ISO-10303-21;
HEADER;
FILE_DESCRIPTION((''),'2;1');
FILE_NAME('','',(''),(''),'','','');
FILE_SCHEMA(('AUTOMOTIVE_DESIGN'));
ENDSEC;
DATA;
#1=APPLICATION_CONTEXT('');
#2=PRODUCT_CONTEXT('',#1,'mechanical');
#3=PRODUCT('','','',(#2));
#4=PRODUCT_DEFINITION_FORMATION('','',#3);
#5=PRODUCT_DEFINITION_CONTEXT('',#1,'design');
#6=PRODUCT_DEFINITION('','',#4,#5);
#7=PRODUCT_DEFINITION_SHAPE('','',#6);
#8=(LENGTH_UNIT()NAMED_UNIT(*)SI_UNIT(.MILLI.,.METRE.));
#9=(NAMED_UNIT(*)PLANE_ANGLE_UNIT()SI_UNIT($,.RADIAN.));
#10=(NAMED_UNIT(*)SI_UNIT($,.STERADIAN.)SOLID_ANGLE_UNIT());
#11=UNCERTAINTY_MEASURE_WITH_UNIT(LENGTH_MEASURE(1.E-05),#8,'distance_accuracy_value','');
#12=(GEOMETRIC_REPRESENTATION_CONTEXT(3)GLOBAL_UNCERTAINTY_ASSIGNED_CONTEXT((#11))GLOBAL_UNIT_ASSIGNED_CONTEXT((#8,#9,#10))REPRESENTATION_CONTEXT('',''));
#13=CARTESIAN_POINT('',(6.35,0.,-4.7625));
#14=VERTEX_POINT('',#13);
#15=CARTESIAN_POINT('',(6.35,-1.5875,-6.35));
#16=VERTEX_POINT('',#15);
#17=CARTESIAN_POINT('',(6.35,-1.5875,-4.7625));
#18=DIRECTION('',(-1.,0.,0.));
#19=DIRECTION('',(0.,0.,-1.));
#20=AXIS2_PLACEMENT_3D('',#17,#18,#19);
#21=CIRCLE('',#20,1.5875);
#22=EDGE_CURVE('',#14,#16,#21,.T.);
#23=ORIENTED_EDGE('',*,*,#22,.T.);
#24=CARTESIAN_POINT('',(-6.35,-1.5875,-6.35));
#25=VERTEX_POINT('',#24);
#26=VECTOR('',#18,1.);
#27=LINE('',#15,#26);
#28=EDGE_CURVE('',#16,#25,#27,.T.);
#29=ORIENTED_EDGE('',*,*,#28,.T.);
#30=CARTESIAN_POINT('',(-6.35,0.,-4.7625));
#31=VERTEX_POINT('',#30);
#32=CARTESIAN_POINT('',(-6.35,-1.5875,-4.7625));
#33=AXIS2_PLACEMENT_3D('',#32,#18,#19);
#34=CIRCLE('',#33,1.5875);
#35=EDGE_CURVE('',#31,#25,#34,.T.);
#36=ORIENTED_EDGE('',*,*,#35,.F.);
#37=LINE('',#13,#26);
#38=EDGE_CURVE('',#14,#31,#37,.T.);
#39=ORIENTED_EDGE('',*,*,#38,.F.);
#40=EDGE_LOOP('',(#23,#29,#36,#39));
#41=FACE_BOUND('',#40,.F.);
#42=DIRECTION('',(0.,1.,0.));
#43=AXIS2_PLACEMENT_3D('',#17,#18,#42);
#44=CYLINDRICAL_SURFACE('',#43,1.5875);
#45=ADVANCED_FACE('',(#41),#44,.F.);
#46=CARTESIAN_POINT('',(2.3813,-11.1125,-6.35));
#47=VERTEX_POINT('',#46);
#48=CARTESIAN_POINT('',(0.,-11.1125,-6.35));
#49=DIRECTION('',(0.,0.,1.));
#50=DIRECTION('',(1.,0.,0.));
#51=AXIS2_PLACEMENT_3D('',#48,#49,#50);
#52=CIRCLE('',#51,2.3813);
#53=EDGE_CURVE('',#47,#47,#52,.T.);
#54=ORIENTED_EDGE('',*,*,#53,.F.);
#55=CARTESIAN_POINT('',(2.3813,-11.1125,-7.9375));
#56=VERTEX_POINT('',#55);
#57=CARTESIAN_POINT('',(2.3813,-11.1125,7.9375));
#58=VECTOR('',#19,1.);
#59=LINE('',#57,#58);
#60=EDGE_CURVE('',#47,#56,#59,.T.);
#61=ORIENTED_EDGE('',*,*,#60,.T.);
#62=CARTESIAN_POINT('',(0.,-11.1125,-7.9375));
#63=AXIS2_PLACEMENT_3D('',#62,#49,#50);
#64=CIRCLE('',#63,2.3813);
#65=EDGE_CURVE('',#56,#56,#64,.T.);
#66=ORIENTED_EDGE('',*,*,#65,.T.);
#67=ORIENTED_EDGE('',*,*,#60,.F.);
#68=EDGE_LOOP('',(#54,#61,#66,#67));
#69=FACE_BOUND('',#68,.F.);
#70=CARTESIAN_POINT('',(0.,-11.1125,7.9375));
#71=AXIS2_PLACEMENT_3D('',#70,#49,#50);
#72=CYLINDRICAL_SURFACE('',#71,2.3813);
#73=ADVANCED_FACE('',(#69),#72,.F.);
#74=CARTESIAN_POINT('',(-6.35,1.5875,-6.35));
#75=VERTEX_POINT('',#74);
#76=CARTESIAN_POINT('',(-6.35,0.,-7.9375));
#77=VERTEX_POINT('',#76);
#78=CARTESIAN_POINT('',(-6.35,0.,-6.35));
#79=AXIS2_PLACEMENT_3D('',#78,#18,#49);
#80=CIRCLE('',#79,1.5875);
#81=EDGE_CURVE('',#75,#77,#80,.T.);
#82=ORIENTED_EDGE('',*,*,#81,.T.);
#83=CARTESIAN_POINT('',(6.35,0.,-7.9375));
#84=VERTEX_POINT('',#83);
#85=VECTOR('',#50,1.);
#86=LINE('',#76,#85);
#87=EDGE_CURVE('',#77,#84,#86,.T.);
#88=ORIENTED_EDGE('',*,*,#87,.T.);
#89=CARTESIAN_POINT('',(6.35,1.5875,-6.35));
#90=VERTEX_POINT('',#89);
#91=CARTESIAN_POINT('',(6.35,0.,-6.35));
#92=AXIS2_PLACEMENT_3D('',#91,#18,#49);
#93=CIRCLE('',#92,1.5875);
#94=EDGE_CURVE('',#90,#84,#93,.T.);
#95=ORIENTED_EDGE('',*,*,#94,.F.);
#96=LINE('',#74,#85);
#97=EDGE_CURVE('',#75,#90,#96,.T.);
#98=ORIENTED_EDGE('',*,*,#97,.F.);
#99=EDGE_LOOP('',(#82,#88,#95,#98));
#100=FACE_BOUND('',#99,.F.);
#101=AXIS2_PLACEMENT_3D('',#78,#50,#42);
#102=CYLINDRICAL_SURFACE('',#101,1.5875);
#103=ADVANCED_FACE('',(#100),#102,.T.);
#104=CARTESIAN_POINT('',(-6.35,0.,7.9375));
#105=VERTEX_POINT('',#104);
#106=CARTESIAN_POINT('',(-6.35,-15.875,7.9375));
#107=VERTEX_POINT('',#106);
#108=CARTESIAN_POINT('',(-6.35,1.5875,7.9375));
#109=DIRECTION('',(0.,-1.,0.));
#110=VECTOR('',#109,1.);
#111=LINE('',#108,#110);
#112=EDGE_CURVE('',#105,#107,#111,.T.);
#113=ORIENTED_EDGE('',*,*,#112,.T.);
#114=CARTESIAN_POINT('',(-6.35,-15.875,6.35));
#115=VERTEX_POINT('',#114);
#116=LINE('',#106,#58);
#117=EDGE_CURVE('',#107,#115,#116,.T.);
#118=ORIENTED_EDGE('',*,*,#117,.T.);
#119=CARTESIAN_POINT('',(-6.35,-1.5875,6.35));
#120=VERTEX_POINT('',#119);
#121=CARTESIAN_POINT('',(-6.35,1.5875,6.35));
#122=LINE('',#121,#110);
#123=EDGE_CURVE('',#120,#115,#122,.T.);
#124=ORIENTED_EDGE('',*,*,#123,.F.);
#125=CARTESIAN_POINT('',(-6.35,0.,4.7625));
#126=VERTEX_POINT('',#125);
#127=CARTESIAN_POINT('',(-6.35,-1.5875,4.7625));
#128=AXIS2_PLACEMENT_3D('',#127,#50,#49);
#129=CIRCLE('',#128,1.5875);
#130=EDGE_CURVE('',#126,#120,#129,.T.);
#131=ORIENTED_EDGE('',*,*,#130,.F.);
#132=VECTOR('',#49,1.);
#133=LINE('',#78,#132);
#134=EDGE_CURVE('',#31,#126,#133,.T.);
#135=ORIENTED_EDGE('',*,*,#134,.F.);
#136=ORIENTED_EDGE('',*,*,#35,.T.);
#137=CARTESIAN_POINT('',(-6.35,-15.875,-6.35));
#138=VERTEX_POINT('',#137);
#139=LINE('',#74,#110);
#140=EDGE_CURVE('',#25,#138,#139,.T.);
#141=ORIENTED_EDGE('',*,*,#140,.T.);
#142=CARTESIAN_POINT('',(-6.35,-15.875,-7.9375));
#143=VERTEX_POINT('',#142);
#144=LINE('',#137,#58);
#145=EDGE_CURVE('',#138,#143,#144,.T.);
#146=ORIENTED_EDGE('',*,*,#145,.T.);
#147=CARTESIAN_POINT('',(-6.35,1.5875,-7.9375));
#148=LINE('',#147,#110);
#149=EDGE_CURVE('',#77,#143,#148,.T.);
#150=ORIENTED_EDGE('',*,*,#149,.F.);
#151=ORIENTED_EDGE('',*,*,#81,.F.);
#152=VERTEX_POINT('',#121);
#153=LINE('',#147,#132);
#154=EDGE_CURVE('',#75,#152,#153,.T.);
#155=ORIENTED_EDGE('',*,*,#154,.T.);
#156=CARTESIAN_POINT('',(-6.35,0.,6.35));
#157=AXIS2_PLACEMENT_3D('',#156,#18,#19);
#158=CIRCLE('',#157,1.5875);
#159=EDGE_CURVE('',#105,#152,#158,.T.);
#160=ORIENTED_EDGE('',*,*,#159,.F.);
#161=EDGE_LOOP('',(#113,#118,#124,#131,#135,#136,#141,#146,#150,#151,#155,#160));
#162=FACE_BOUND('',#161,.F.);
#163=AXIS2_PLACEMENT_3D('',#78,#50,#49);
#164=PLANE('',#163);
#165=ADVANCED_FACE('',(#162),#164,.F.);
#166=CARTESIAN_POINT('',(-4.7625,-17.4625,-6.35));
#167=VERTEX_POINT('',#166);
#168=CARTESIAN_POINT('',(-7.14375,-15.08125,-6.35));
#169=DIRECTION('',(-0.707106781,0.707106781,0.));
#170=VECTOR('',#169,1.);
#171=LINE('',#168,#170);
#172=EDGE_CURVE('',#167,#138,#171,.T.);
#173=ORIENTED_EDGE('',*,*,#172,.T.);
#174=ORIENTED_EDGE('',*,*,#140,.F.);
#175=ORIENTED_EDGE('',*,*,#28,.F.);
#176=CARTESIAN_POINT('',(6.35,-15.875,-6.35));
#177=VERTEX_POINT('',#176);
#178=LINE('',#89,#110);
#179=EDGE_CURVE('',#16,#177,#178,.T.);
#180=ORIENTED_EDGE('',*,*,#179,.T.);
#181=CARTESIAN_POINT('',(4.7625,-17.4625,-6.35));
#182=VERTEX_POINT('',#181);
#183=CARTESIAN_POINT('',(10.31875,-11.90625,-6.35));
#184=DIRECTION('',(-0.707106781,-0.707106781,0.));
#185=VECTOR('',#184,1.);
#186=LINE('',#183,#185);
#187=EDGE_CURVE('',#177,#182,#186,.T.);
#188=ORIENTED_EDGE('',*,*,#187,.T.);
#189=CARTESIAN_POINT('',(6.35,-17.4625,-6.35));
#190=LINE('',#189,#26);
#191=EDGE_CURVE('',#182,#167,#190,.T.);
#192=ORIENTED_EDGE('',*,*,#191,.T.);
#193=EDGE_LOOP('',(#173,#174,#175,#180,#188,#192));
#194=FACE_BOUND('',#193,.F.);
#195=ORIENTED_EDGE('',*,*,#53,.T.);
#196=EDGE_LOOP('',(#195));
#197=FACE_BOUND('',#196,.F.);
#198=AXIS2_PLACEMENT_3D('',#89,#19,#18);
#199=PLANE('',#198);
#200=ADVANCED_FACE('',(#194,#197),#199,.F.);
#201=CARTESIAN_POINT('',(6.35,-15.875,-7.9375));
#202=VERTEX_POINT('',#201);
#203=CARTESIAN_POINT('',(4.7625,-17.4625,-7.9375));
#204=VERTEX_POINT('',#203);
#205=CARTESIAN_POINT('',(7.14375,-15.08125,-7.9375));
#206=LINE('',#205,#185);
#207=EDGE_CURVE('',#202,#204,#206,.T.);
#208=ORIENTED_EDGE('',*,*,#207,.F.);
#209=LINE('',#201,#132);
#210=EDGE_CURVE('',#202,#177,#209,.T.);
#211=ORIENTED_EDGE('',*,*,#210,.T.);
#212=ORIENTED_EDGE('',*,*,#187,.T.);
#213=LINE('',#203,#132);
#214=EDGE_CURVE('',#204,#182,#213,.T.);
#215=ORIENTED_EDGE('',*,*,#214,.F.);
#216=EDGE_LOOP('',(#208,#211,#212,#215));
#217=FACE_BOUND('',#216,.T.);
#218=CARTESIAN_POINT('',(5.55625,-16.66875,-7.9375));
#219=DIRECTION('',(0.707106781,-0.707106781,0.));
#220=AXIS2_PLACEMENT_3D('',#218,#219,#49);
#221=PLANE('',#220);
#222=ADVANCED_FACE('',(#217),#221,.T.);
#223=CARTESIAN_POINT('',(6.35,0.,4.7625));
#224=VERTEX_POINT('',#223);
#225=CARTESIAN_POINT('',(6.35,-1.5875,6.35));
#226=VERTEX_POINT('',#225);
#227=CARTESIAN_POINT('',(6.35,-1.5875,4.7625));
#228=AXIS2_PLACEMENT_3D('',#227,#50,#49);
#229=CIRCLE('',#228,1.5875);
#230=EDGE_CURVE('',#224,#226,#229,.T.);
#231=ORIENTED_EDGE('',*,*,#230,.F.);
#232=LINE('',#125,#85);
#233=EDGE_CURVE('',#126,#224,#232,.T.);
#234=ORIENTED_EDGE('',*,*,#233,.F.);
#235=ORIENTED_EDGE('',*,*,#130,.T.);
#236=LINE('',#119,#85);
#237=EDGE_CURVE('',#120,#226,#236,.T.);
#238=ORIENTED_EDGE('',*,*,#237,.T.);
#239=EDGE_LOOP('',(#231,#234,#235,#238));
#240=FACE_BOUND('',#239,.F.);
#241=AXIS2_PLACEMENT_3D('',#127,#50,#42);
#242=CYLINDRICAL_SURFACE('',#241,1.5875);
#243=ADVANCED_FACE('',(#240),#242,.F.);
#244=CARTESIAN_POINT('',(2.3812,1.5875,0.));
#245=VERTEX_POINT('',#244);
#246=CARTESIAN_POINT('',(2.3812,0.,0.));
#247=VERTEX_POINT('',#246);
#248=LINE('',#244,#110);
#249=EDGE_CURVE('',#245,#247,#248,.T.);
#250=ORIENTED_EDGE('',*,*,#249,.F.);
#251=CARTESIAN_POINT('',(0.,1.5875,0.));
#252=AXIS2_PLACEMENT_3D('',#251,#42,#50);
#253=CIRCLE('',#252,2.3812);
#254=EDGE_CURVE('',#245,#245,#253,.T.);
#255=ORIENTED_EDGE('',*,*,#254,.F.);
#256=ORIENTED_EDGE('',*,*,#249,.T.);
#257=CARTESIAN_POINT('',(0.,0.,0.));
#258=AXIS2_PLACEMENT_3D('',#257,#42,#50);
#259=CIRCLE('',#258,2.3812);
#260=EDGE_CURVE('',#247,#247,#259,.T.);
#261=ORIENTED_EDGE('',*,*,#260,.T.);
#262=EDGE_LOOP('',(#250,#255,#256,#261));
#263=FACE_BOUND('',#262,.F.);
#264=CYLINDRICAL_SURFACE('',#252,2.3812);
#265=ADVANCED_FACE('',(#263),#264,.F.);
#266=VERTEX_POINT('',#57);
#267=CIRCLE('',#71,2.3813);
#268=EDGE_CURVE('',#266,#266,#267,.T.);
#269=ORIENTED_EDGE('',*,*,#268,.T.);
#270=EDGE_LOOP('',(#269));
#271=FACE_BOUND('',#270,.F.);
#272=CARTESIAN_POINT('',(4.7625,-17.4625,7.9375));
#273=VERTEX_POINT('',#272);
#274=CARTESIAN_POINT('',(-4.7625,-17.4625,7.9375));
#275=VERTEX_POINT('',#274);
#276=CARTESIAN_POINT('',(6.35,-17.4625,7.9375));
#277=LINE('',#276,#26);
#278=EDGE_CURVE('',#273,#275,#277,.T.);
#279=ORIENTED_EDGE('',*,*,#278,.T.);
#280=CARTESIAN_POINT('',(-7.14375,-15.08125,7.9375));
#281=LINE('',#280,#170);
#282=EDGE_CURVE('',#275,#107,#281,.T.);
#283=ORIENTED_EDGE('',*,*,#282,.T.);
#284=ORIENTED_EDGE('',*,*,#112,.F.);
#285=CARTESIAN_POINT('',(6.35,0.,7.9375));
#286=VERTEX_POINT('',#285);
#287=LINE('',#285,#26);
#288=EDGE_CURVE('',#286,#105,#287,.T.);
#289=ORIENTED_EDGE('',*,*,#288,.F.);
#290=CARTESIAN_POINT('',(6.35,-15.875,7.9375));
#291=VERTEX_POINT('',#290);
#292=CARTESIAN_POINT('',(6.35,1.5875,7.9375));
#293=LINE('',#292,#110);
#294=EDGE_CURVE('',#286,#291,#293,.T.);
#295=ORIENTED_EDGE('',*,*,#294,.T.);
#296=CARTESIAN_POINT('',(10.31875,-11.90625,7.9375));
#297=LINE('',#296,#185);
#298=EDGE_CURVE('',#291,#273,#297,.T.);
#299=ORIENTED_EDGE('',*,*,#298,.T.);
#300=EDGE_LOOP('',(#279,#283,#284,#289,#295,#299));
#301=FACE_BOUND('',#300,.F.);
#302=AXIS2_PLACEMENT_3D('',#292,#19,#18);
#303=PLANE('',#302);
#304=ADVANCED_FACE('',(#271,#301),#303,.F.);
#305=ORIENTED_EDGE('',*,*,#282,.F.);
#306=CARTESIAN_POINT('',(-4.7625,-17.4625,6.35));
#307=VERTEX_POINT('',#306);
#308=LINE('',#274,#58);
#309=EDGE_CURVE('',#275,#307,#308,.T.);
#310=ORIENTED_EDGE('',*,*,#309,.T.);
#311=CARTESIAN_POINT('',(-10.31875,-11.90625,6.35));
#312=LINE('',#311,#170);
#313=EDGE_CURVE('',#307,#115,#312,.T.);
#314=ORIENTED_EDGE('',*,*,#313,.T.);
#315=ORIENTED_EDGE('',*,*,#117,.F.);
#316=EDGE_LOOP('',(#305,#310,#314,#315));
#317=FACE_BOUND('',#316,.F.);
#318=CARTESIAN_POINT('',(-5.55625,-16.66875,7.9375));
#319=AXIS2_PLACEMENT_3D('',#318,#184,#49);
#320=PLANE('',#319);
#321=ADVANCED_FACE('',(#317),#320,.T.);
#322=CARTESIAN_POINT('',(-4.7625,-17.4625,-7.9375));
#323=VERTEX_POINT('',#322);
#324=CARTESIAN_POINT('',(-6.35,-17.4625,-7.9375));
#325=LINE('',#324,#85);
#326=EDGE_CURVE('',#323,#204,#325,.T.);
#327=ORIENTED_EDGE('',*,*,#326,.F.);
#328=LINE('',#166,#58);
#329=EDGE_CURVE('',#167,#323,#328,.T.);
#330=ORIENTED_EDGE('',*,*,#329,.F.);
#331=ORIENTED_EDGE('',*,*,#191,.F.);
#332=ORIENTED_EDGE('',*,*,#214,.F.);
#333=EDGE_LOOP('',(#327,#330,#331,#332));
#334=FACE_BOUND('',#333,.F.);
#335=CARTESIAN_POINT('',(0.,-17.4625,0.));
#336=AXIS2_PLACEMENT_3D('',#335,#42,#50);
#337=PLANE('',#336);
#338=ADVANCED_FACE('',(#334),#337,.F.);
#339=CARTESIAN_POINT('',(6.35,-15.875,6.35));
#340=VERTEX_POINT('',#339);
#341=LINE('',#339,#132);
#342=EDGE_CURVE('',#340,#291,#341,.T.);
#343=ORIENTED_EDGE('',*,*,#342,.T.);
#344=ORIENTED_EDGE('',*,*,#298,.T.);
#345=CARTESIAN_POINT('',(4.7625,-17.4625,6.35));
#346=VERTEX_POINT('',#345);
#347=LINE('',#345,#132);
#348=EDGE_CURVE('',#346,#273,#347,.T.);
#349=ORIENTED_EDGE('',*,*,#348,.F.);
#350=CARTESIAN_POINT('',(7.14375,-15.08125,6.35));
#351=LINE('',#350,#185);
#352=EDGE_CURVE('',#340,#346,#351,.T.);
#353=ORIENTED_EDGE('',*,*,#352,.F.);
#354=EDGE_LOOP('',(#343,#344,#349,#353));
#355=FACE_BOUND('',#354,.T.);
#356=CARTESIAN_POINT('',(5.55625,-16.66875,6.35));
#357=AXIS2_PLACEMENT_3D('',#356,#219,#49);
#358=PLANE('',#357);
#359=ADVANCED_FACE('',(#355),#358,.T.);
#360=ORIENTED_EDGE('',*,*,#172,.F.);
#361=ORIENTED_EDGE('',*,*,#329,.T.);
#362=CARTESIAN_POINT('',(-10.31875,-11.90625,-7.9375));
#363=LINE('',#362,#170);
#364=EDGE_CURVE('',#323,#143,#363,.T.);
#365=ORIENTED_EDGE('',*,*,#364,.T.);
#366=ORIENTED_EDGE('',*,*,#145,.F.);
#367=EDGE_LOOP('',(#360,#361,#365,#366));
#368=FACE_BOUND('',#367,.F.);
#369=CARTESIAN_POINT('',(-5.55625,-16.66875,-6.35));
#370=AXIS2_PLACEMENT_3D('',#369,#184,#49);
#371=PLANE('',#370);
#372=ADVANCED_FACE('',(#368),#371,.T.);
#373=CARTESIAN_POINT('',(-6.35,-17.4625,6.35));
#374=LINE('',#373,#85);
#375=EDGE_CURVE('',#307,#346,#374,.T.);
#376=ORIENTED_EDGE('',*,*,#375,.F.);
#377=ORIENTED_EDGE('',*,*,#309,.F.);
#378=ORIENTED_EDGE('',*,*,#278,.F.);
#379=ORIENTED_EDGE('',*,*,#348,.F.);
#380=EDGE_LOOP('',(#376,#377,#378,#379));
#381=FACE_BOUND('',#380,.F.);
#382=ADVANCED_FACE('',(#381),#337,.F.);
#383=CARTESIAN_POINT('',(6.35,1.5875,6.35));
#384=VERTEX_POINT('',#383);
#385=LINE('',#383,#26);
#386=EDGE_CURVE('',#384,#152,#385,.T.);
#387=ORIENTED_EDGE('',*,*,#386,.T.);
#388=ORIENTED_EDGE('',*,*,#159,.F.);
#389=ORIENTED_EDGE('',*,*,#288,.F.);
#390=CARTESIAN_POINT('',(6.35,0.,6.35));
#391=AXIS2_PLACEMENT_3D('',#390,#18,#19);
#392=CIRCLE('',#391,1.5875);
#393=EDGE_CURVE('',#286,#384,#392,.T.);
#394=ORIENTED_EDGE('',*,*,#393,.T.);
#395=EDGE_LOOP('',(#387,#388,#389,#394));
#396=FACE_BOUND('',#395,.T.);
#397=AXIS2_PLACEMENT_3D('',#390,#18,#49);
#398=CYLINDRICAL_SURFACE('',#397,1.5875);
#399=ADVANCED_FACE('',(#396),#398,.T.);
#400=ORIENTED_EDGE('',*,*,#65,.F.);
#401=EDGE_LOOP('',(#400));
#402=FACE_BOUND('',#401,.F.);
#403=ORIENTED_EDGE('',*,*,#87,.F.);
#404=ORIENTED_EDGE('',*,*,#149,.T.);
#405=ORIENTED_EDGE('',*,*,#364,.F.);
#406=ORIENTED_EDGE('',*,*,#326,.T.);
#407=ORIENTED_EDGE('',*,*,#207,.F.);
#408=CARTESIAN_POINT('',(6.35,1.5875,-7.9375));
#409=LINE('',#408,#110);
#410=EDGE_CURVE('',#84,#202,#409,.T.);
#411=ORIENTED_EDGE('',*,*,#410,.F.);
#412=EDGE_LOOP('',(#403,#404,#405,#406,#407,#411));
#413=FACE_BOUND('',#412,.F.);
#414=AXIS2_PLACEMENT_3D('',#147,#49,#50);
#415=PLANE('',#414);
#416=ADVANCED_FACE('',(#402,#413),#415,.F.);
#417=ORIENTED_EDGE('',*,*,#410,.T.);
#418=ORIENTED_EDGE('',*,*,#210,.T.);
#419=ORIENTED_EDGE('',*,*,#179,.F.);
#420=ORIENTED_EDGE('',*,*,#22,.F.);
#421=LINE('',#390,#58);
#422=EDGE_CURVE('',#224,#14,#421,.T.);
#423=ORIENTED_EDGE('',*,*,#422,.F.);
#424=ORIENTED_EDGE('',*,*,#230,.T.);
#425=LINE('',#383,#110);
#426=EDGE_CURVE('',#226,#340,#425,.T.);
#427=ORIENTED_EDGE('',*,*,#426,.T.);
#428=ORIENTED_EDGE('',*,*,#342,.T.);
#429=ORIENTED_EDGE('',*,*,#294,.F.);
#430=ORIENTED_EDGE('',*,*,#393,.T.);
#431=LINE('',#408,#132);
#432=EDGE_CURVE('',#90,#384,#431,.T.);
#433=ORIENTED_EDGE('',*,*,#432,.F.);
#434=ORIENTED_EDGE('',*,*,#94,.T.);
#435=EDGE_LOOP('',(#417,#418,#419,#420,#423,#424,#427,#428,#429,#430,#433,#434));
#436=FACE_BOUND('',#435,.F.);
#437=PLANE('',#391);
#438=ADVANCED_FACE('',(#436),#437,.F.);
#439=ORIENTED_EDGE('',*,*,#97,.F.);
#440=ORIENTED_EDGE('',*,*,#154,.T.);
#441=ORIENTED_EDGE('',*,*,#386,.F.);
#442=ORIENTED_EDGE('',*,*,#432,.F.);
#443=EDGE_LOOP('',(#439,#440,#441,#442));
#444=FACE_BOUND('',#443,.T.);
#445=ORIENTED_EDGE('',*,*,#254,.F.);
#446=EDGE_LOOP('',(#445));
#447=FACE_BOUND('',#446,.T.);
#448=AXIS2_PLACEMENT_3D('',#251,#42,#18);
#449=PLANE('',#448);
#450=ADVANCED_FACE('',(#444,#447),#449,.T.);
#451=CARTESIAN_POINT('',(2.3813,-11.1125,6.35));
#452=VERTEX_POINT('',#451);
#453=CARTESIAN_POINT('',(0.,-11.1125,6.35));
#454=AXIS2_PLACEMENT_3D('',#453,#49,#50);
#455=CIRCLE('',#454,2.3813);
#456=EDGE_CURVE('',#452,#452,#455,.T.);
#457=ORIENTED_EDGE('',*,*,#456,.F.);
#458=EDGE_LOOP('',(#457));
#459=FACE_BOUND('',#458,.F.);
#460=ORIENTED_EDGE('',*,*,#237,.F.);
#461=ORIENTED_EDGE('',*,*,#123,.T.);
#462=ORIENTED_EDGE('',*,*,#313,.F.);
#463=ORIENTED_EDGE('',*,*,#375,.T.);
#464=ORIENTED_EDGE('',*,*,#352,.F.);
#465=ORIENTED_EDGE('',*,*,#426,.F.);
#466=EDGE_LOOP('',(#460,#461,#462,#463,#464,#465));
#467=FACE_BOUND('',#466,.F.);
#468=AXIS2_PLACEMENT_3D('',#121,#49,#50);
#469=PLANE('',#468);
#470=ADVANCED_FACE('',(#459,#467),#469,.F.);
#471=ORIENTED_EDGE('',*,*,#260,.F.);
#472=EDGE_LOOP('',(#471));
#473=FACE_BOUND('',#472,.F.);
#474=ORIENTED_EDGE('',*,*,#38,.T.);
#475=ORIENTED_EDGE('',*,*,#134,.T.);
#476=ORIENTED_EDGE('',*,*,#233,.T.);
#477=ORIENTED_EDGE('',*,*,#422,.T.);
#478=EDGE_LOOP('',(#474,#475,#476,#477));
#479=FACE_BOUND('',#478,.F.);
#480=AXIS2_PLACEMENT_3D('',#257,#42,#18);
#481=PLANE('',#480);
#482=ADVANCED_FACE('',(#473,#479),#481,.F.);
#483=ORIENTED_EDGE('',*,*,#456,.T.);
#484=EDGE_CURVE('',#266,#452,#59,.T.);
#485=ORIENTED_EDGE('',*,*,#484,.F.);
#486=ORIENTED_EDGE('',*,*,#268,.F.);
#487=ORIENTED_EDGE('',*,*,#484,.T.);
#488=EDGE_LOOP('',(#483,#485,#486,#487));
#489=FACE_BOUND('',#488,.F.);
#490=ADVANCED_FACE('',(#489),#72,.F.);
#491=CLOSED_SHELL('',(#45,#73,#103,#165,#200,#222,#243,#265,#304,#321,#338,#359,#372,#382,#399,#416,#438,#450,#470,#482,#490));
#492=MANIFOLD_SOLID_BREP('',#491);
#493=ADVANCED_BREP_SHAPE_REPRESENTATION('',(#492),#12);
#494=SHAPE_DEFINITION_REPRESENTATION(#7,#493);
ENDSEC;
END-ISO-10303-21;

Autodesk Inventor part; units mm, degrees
ref_plane "YZ Plane" through (0, 0, 0) normal (1, 0, 0) x (0, 1, 0)
ref_plane "XZ Plane" through (0, 0, 0) normal (0, 1, 0) x (-1, 0, 0)
ref_plane "XY Plane" through (0, 0, 0) normal (0, 0, 1) x (1, 0, 0)
sketch "Sketch1" plane through (0, 0, 0) normal (0, 1, 0) x (-1, 0, 0)
  line L0 (-6.35, -6.35) -> (6.35, -6.35)
  line L1 (6.35, -6.35) -> (6.35, 6.35)
  line L2 (6.35, 6.35) -> (-6.35, 6.35)
  line L3 (-6.35, 6.35) -> (-6.35, -6.35)
  line L4 (-6.35, -6.35) -> (6.35, 6.35) construction
  line L5 (6.35, -6.35) -> (-6.35, 6.35) construction
  point P0 (0, 0)
  dimension "d0" = 12.7
  dimension "d1" = 12.7
extrude "Extrusion1" add sketch "Sketch1" along normal blind 1.5875
sketch "Sketch2" plane through (0, 1.5875, 0) normal (0, 1, 0) x (1, 0, 0)
  circle A0 centre (0, 0) radius 2.3812
  dimension "d4" = 4.7625
extrude "Extrusion2" cut sketch "Sketch2" against normal blind 1.5875
sketch "Sketch3" plane through (0, 1.5875, 0) normal (0, 1, 0) x (1, 0, 0)
  line L0 (-6.35, -6.35) -> (6.35, -6.35) projected
  line L1 (-6.35, -6.35) -> (6.35, -6.35)
  line L2 (6.35, -6.35) -> (6.35, -7.9375)
  line L3 (6.35, -7.9375) -> (-6.35, -7.9375)
  line L4 (-6.35, -7.9375) -> (-6.35, -6.35)
  line L5 (6.35, -6.35) -> (6.35, 6.35) projected
  line L6 (6.35, 6.35) -> (-6.35, 6.35)
  line L7 (-6.35, 6.35) -> (-6.35, 7.9375)
  line L8 (-6.35, 7.9375) -> (6.35, 7.9375)
  line L9 (6.35, 7.9375) -> (6.35, 6.35)
  point P0 (0, 0)
  dimension "d7" = 12.7
  dimension "d8" = 1.5875
  dimension "d9" = 12.7
  dimension "d10" = 1.5875
extrude "Extrusion3" add sketch "Sketch3" against normal blind 19.05
sketch "Sketch4" plane through (-6.35, 1.5875, 7.9375) normal (0, 0, 1) x (1, 0, 0)
  circle A0 centre (6.35, -12.7) radius 2.3813
  line L0 (12.7, 0) -> (12.7, -19.05) projected
  line L1 (12.7, -19.05) -> (0, -19.05) projected
  point P0 (6.35, -1.5875)
  dimension "d13" = 4.7625
  dimension "d14" = 6.35
  dimension "d15" = 6.35
extrude "Extrusion4" cut sketch "Sketch4" against normal blind 19.05
fillet "Fillet1" radius 1.5875 4 edges at (0, 1.5875, 7.9375) (0, 0, 6.35) (0, 0, -6.35) (0, 1.5875, -7.9375)
chamfer "Chamfer1" distance 1.5875 angle 45 4 edges at (6.35, -17.4625, 7.1437) (6.35, -17.4625, -7.1437) (-6.35, -17.4625, -7.1437) (-6.35, -17.4625, 7.1437)
properties part number "pnuematic bracket" material "Aluminum 6061"
